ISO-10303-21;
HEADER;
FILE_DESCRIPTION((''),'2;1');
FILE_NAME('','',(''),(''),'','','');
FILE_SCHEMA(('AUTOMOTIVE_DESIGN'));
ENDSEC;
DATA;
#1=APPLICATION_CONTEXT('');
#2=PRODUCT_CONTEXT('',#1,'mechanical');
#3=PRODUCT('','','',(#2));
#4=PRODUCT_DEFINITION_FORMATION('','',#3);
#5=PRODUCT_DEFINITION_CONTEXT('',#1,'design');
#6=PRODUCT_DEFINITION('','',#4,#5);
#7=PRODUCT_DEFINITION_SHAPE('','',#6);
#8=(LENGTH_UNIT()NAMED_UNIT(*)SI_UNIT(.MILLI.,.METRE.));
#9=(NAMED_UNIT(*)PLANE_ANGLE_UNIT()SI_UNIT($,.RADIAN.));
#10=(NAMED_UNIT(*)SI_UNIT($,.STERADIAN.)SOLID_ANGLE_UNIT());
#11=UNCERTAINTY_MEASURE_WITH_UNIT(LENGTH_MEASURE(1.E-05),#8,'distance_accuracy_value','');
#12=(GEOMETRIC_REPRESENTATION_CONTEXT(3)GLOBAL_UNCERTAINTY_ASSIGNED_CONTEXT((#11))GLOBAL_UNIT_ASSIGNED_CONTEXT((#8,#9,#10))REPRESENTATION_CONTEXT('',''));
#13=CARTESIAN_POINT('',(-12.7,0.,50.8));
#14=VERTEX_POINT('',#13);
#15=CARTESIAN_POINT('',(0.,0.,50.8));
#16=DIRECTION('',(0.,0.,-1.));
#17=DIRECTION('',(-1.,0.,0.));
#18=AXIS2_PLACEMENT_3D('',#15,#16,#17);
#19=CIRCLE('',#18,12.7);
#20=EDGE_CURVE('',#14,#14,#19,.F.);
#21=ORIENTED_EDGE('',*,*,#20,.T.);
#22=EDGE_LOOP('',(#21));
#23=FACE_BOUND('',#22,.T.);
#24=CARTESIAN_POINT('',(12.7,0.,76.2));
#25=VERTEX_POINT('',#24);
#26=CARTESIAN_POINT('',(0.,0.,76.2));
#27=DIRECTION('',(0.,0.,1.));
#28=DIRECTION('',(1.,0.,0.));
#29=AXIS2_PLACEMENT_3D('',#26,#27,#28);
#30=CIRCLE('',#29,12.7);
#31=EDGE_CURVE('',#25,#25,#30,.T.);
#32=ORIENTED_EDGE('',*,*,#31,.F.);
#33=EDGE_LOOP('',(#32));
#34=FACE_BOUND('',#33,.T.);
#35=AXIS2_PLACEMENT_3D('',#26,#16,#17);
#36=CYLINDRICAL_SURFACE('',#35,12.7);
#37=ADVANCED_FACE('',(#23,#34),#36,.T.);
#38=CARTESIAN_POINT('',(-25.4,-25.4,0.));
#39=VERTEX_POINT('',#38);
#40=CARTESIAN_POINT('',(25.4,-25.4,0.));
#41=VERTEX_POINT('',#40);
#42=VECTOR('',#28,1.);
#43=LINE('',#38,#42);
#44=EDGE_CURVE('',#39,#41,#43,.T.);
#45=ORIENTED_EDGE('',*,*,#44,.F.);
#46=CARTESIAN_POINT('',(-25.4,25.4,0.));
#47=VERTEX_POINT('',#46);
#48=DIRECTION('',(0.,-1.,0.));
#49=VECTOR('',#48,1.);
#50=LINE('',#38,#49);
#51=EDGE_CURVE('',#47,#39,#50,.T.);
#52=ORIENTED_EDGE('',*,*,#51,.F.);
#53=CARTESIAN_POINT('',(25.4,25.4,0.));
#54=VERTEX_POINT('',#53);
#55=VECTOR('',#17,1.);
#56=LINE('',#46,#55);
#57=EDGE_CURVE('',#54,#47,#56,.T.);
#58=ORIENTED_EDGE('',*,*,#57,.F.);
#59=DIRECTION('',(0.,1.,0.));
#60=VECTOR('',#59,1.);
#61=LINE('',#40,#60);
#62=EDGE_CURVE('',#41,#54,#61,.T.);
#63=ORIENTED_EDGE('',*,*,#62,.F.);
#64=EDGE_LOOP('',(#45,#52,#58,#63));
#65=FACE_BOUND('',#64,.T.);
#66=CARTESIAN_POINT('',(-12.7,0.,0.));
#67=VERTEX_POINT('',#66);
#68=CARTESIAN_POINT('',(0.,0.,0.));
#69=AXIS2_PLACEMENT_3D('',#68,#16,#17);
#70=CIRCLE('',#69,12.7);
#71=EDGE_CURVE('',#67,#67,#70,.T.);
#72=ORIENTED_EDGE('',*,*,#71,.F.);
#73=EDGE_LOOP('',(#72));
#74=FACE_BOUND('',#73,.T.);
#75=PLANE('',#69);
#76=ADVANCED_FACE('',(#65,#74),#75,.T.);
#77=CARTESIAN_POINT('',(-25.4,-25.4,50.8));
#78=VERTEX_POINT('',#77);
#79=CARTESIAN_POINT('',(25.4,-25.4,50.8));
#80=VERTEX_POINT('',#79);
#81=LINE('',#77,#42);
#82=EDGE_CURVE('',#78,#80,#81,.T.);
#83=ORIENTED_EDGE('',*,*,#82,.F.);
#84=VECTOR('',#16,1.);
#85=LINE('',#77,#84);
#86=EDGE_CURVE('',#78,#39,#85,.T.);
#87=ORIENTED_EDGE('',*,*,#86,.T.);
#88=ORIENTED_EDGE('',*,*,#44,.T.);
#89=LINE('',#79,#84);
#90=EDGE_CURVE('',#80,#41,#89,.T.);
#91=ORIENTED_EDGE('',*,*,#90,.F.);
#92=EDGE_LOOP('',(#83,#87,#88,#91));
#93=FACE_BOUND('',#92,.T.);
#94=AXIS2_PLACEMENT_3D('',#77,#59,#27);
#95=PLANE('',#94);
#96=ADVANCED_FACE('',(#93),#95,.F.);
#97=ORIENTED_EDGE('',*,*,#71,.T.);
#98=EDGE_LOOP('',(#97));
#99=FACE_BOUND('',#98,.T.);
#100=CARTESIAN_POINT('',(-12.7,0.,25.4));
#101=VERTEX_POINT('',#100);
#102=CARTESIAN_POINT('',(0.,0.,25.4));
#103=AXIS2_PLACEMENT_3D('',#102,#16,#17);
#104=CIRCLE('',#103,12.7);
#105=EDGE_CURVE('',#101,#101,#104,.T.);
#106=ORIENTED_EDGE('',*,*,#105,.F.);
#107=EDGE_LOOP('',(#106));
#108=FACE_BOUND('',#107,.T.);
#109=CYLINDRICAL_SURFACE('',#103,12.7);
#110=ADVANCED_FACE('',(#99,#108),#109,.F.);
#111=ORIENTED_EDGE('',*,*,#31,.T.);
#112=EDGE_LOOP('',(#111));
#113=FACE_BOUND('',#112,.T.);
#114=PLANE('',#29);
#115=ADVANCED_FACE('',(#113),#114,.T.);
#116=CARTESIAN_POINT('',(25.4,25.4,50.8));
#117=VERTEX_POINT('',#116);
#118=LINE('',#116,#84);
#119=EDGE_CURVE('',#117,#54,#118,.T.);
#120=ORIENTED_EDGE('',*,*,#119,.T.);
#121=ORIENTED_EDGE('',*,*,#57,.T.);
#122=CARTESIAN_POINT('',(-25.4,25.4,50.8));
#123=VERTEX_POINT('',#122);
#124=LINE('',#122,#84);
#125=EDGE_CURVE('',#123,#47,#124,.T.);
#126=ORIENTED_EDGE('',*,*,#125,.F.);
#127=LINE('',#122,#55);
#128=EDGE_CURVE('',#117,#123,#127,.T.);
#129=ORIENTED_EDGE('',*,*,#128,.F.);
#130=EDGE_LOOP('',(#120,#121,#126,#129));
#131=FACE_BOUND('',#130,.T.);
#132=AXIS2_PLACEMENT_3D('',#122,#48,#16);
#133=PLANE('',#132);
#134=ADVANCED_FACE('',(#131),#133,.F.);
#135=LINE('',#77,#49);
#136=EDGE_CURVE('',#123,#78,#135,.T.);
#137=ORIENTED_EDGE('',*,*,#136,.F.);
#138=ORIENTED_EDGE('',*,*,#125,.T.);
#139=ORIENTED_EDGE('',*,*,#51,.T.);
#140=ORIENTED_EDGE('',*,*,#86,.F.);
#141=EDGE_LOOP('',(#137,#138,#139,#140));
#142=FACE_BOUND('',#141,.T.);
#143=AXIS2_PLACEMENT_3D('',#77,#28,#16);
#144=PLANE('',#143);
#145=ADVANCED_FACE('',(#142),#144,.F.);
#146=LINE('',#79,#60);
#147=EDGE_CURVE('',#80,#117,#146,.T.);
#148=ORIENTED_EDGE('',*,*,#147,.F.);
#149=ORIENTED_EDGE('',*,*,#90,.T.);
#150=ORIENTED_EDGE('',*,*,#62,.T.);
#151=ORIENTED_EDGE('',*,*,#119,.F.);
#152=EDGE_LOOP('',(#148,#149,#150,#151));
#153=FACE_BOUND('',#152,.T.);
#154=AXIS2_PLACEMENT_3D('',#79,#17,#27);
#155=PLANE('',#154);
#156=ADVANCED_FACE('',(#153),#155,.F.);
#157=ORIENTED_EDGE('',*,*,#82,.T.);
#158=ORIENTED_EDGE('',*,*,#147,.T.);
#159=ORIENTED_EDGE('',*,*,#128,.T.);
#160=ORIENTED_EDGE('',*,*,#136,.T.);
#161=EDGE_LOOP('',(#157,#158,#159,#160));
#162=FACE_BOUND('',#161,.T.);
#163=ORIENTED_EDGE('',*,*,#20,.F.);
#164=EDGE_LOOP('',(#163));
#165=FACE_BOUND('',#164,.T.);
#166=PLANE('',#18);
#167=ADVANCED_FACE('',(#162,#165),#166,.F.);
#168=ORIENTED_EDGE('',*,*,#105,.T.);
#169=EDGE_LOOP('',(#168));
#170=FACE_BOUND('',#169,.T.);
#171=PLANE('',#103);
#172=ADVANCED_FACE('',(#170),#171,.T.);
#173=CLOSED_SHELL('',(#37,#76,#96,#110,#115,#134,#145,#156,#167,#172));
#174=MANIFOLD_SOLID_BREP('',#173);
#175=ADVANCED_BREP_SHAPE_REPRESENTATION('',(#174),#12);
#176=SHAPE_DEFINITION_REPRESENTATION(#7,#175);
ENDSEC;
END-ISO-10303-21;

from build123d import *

# Parameters (mm, degrees)
SKETCH1_W           = 50.8
SKETCH1_H           = 50.8
BOSS_EXTRUDE1_DEPTH = 50.8
SKETCH2_R           = 12.7
BOSS_EXTRUDE2_DEPTH = 25.4
SKETCH3_R           = 12.7
CUT_EXTRUDE1_DEPTH  = 25.4


with BuildPart() as part:
    # Sketch1 → Boss-Extrude1 (new body)
    with BuildSketch(Plane.XY):
        Rectangle(SKETCH1_W, SKETCH1_H)
    extrude(amount=BOSS_EXTRUDE1_DEPTH)

    # Sketch2 → Boss-Extrude2 (add)
    with BuildSketch(Plane.XY.offset(50.8)):
        with Locations(Location((0, 0, 0), (0, 0, 180))):
            Circle(SKETCH2_R)
    extrude(amount=BOSS_EXTRUDE2_DEPTH)

    # Sketch3 → Cut-Extrude1 (cut)
    with BuildSketch(Plane(origin=(0, 0, 0), x_dir=(-1, 0, 0), z_dir=(0, 0, -1))):
        Circle(SKETCH3_R)
    extrude(amount=-CUT_EXTRUDE1_DEPTH, mode=Mode.SUBTRACT)


solid = part.part
